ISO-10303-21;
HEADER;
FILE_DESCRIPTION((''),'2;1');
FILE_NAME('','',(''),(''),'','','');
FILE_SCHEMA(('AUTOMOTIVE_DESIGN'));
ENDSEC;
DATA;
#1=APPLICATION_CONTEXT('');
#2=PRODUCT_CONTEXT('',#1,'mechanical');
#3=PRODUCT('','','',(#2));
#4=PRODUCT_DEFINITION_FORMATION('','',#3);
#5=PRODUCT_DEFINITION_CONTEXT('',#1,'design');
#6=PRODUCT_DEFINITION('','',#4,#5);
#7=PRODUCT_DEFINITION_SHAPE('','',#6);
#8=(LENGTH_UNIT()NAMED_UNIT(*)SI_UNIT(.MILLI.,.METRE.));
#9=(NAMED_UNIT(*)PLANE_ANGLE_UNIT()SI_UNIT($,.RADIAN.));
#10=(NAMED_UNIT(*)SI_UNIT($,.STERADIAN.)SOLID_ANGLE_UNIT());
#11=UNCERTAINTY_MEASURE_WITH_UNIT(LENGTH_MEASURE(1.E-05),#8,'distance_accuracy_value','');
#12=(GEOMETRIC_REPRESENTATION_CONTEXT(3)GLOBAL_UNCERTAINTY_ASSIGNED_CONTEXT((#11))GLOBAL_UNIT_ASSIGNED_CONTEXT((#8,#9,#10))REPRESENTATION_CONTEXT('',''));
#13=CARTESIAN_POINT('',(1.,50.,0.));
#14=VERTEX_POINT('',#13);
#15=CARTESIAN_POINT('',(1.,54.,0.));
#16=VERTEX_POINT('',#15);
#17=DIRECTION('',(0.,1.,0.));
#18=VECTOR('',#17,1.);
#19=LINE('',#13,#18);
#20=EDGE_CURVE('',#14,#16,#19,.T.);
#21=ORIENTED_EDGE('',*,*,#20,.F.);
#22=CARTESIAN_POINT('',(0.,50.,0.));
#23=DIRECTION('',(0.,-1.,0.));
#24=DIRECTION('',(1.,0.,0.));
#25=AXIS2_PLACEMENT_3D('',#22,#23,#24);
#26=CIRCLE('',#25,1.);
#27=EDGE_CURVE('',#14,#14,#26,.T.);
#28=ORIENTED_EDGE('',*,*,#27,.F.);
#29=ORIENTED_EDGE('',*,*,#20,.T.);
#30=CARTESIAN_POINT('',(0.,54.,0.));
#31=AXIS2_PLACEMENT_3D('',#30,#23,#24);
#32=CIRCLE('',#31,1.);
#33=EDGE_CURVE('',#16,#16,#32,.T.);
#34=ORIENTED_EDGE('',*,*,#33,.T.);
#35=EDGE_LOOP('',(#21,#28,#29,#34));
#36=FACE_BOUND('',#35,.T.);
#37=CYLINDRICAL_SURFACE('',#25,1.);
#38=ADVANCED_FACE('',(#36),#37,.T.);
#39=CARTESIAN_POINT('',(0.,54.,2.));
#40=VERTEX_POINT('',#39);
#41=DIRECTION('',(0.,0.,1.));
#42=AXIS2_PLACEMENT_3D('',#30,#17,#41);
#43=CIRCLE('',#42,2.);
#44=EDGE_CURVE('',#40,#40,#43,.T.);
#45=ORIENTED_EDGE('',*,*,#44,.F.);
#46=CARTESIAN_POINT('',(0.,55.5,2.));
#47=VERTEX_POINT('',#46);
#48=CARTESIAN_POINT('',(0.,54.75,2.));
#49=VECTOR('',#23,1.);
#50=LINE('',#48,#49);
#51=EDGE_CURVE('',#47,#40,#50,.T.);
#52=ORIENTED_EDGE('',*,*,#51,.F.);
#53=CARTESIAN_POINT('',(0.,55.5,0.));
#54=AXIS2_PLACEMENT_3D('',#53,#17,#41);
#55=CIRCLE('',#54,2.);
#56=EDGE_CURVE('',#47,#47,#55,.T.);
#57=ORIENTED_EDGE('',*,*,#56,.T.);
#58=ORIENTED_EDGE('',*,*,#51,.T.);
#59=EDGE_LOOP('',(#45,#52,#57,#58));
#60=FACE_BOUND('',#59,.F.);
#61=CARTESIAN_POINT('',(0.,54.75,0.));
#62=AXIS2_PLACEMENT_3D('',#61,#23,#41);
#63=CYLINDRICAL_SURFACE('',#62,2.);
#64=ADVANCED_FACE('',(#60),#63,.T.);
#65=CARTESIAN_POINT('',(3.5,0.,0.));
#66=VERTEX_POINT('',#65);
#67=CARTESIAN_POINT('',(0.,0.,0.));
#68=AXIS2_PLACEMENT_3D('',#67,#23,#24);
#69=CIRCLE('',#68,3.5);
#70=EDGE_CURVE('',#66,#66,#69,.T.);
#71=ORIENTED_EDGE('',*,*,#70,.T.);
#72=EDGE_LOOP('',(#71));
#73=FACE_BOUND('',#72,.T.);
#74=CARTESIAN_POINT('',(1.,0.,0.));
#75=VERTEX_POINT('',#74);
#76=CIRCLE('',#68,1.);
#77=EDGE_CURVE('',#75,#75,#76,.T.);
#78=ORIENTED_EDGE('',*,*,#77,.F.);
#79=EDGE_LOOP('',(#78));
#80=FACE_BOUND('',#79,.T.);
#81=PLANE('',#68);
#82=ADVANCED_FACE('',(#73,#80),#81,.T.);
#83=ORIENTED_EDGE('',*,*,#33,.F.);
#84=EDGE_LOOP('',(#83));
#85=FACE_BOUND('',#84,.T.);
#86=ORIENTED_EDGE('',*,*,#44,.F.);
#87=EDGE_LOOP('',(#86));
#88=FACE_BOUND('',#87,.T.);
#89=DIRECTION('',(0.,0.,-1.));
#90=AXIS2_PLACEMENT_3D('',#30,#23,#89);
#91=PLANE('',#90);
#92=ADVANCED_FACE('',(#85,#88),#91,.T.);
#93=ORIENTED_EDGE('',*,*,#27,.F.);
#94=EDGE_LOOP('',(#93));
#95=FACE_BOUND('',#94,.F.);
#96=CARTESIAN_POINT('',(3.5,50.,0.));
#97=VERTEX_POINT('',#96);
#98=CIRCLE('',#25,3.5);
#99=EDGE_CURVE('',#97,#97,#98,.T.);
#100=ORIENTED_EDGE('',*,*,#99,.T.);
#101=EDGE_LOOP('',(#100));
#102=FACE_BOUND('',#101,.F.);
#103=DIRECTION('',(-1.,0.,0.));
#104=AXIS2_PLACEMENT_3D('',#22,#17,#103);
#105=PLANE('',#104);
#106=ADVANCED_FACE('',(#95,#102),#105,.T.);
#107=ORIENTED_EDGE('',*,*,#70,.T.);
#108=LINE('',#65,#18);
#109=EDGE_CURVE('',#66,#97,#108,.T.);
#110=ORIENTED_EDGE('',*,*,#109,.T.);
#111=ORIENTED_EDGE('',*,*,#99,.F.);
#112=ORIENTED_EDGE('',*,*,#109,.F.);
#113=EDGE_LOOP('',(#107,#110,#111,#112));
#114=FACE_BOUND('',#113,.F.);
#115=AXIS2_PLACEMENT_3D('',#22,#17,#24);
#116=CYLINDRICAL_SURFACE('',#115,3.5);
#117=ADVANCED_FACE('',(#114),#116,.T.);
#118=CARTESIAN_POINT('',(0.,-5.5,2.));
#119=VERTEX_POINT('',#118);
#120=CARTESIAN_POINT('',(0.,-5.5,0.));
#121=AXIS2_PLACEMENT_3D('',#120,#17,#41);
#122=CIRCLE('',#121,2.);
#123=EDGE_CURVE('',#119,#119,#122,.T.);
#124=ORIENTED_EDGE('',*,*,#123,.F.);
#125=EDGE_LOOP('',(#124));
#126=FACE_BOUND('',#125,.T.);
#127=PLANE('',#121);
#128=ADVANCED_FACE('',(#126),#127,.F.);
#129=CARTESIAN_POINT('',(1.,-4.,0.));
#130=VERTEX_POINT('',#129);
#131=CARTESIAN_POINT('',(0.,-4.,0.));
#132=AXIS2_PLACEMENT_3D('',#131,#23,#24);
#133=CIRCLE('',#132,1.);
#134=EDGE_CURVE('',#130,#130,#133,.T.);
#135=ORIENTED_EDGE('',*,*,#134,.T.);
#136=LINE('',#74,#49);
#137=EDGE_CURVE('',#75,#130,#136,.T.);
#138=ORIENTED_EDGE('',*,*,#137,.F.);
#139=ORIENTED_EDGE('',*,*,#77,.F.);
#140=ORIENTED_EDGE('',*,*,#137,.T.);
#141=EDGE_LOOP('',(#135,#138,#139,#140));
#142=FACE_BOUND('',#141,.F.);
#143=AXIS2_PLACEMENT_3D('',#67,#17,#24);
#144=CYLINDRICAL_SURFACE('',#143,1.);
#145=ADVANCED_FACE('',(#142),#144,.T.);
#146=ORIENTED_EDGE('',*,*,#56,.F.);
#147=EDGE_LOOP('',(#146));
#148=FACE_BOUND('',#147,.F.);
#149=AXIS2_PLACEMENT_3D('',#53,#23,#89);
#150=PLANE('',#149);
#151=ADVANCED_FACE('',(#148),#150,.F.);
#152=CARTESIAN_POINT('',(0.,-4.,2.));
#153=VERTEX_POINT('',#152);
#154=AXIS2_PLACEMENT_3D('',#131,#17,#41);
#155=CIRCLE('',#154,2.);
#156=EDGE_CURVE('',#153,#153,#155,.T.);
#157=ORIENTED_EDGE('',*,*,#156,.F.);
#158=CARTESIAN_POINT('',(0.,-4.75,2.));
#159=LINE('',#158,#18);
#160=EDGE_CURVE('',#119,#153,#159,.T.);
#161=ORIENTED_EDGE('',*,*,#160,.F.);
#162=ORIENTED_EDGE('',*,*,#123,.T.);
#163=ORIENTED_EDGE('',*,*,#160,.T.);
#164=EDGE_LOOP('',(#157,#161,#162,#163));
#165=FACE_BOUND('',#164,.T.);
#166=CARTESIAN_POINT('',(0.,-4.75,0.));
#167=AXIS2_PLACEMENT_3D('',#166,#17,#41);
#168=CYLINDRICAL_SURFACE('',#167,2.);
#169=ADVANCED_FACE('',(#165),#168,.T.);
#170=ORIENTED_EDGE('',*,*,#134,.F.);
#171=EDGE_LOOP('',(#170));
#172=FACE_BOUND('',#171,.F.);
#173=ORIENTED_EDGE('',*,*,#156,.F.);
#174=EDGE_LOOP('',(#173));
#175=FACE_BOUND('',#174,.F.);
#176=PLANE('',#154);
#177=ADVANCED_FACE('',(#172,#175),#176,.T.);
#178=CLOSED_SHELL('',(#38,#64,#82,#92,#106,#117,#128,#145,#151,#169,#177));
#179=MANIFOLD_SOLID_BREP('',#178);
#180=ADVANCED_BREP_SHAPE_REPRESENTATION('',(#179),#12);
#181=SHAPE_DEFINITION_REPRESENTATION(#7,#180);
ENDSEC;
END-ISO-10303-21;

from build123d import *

# Parameters (mm, degrees)
F0_R     = 3.5
F0_R_2   = 2
F0_R_3   = 1
F1_DEPTH = 25
F2_R     = 1
F3_DEPTH = 4
F4_W     = 1.5
F4_H     = 2


with BuildPart() as f1:
    # F0 (on Front) → F1 (new body)
    with BuildSketch(Plane.XZ):
        Circle(F0_R)
        Circle(F0_R_2, mode=Mode.SUBTRACT)
        Circle(F0_R_2)
        Circle(F0_R_3, mode=Mode.SUBTRACT)
        Circle(F0_R_3)
    extrude(amount=-F1_DEPTH)

    # F2 (on Front) → F3 (join)
    with BuildSketch(Plane.XZ):
        Circle(F2_R)
    extrude(amount=F3_DEPTH)

    # F4 (on Right) → F5 (revolve)
    with BuildSketch(Plane.YZ):
        with Locations((-4.75, 1)):
            Rectangle(F4_W, F4_H)
    revolve(axis=Axis((0, -4.75, 0), (0, 1, 0)))

    # F6: F1 across face


with BuildPart() as f1_1:
    add(f1.part)
    add(f1.part.mirror(Plane(origin=(0, 25, 0), x_dir=(1, 0, 0), z_dir=(0, 1, 0))))


solid = f1_1.part
